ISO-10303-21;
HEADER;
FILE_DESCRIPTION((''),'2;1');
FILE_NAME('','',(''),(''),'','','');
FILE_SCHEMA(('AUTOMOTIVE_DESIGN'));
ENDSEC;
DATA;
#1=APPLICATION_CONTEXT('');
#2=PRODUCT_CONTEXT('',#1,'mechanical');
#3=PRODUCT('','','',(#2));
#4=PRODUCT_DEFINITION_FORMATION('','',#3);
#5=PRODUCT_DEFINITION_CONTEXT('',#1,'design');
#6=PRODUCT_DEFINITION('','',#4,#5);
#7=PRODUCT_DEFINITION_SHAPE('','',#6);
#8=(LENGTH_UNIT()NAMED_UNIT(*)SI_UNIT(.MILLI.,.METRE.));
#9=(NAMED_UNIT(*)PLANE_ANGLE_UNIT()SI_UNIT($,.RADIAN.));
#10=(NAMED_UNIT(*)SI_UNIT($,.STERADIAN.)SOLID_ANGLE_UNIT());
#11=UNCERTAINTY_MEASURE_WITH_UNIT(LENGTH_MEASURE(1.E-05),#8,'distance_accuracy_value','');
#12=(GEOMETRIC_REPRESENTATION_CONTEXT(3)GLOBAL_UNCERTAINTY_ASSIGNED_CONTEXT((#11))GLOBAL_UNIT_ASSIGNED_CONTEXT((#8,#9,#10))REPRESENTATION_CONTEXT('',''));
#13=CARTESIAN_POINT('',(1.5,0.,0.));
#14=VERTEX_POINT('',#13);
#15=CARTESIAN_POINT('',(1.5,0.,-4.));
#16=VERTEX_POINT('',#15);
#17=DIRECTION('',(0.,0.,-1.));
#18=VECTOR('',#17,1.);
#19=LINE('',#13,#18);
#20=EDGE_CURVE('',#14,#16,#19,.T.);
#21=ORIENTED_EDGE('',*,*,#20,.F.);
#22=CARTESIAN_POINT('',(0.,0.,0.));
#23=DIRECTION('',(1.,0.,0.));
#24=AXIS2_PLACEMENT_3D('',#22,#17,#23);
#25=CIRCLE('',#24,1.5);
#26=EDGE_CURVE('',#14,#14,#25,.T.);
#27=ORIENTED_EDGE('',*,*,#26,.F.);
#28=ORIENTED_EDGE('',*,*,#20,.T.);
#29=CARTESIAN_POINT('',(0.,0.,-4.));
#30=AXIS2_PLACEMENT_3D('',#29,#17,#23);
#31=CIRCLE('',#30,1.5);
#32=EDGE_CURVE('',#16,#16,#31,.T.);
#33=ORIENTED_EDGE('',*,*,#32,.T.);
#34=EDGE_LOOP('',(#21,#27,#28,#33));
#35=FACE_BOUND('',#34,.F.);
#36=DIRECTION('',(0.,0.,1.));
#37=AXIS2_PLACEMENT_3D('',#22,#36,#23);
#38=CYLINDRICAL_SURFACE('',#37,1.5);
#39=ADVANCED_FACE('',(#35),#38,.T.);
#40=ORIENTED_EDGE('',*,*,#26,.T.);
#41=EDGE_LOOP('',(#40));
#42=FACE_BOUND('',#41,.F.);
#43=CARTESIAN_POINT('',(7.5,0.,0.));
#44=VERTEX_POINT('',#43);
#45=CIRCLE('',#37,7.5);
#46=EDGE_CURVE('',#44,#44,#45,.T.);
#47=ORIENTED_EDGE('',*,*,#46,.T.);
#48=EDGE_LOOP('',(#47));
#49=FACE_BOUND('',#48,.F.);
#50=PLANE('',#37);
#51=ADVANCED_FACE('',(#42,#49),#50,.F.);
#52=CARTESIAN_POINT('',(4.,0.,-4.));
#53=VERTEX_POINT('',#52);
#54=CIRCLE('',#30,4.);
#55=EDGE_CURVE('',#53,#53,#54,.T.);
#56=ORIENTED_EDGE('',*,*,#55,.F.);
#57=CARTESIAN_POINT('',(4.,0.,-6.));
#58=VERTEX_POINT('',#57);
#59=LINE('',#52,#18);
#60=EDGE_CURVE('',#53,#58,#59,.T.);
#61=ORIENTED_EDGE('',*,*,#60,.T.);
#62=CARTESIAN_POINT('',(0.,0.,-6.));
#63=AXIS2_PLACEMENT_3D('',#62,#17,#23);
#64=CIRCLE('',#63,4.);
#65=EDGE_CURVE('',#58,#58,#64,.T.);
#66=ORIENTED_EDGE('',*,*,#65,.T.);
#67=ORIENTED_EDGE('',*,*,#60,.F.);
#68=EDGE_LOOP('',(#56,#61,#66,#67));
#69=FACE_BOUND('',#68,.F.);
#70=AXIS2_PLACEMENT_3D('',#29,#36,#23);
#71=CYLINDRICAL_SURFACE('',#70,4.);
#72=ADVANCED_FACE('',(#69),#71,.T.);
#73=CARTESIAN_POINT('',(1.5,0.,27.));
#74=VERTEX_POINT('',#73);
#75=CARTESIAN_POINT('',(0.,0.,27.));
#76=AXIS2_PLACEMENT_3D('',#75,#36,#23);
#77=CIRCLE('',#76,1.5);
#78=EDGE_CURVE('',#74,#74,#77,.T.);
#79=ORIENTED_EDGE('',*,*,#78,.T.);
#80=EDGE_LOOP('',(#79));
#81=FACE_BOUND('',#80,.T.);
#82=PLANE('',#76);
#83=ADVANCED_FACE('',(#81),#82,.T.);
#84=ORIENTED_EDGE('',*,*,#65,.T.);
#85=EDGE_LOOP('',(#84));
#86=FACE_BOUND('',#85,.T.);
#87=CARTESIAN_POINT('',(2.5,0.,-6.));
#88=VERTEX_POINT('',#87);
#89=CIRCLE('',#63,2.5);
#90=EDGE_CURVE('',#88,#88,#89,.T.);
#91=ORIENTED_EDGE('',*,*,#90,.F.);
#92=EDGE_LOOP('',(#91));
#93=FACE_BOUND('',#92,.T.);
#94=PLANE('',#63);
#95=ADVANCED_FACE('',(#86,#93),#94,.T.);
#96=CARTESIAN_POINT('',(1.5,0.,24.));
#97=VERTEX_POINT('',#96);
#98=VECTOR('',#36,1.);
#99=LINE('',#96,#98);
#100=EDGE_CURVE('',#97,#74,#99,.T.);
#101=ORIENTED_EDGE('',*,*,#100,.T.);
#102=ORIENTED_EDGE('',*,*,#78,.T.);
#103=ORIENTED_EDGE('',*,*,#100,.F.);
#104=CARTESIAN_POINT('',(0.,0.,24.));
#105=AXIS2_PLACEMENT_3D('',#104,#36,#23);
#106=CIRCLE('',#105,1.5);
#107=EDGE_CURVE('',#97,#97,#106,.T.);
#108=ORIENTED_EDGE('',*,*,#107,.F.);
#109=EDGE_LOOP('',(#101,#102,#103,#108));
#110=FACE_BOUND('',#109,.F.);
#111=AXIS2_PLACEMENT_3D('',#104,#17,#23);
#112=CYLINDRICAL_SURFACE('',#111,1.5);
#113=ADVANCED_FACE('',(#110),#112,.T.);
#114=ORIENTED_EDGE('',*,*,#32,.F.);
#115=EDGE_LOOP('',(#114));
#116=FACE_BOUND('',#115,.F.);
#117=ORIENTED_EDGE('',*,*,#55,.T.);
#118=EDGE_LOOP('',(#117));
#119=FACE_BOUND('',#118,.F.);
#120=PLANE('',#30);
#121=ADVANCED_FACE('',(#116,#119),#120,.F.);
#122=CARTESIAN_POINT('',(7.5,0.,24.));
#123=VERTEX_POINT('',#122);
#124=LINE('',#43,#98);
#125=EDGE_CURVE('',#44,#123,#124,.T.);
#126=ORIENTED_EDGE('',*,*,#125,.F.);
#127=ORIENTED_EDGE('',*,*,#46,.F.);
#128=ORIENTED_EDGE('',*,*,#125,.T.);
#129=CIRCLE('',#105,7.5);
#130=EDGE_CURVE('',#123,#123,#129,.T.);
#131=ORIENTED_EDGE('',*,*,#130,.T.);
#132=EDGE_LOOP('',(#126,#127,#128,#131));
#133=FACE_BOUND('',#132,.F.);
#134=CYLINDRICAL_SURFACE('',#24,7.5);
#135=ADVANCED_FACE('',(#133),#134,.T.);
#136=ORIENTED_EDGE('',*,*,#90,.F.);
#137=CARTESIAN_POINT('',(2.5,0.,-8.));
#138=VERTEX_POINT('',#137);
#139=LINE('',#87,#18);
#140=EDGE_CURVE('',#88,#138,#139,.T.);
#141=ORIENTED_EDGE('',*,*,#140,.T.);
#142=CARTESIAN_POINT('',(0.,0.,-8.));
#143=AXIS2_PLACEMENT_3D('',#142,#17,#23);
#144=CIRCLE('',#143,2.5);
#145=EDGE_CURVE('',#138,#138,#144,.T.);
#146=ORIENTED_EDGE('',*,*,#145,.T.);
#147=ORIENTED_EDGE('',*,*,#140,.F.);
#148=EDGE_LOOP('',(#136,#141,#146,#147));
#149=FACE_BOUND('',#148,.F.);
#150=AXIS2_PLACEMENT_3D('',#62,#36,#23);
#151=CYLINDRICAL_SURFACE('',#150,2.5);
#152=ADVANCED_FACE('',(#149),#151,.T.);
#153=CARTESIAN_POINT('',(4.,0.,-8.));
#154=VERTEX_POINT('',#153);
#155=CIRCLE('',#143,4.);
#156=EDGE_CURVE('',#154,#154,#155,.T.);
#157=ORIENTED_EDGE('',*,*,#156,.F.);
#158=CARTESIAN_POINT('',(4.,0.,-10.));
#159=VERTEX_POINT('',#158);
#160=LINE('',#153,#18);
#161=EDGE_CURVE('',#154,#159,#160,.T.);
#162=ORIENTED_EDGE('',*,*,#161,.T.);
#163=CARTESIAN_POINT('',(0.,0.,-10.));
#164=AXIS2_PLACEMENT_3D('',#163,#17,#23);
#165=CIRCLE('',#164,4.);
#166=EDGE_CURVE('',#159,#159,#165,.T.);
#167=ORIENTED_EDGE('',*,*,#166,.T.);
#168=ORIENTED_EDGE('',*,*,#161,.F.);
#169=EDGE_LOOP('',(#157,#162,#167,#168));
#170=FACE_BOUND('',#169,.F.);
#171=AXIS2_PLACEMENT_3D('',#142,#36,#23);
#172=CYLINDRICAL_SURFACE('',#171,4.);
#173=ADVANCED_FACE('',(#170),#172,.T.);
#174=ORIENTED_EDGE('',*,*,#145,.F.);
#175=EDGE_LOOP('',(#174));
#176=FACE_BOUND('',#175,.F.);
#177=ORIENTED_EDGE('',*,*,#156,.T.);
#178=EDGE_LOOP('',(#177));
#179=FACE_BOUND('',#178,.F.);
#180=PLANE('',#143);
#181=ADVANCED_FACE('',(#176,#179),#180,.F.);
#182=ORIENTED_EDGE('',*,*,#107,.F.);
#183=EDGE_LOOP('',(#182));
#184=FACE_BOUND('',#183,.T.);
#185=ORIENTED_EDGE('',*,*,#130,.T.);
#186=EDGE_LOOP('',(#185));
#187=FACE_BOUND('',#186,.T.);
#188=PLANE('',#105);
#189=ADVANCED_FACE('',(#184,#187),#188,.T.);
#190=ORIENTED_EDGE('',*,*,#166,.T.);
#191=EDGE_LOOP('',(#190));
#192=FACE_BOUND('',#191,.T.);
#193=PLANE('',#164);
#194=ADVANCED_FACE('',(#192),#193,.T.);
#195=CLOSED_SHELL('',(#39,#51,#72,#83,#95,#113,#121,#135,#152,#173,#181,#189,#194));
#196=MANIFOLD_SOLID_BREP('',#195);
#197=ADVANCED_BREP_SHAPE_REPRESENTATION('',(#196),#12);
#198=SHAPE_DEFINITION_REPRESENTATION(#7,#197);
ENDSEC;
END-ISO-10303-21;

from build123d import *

# Parameters (mm, degrees)
SKETCH_R     = 7.5
PAD_DEPTH    = 24
SKETCH001_R  = 1.5
PAD001_DEPTH = 3
SKETCH002_R  = 1.5
PAD002_DEPTH = 4
SKETCH003_R  = 4
PAD003_DEPTH = 2
SKETCH004_R  = 2.5
PAD004_DEPTH = 2
SKETCH005_R  = 4
PAD005_DEPTH = 2


with BuildPart() as part:
    # Sketch → Pad (new body)
    with BuildSketch(Plane.XY):
        Circle(SKETCH_R)
    extrude(amount=PAD_DEPTH)

    # Sketch001 → Pad001 (new body)
    with BuildSketch(Plane.XY.offset(24)):
        Circle(SKETCH001_R)
    extrude(amount=PAD001_DEPTH)

    # Sketch002 → Pad002 (new body)
    with BuildSketch(Plane(origin=(0, 0, 0), x_dir=(1, 0, 0), z_dir=(0, 0, -1))):
        Circle(SKETCH002_R)
    extrude(amount=PAD002_DEPTH)

    # Sketch003 → Pad003 (new body)
    with BuildSketch(Plane(origin=(0, 0, -4), x_dir=(1, 0, 0), z_dir=(0, 0, -1))):
        Circle(SKETCH003_R)
    extrude(amount=PAD003_DEPTH)

    # Sketch004 → Pad004 (new body)
    with BuildSketch(Plane(origin=(0, 0, -6), x_dir=(1, 0, 0), z_dir=(0, 0, -1))):
        Circle(SKETCH004_R)
    extrude(amount=PAD004_DEPTH)

    # Sketch005 → Pad005 (new body)
    with BuildSketch(Plane(origin=(0, 0, -8), x_dir=(1, 0, 0), z_dir=(0, 0, -1))):
        Circle(SKETCH005_R)
    extrude(amount=PAD005_DEPTH)


solid = part.part
